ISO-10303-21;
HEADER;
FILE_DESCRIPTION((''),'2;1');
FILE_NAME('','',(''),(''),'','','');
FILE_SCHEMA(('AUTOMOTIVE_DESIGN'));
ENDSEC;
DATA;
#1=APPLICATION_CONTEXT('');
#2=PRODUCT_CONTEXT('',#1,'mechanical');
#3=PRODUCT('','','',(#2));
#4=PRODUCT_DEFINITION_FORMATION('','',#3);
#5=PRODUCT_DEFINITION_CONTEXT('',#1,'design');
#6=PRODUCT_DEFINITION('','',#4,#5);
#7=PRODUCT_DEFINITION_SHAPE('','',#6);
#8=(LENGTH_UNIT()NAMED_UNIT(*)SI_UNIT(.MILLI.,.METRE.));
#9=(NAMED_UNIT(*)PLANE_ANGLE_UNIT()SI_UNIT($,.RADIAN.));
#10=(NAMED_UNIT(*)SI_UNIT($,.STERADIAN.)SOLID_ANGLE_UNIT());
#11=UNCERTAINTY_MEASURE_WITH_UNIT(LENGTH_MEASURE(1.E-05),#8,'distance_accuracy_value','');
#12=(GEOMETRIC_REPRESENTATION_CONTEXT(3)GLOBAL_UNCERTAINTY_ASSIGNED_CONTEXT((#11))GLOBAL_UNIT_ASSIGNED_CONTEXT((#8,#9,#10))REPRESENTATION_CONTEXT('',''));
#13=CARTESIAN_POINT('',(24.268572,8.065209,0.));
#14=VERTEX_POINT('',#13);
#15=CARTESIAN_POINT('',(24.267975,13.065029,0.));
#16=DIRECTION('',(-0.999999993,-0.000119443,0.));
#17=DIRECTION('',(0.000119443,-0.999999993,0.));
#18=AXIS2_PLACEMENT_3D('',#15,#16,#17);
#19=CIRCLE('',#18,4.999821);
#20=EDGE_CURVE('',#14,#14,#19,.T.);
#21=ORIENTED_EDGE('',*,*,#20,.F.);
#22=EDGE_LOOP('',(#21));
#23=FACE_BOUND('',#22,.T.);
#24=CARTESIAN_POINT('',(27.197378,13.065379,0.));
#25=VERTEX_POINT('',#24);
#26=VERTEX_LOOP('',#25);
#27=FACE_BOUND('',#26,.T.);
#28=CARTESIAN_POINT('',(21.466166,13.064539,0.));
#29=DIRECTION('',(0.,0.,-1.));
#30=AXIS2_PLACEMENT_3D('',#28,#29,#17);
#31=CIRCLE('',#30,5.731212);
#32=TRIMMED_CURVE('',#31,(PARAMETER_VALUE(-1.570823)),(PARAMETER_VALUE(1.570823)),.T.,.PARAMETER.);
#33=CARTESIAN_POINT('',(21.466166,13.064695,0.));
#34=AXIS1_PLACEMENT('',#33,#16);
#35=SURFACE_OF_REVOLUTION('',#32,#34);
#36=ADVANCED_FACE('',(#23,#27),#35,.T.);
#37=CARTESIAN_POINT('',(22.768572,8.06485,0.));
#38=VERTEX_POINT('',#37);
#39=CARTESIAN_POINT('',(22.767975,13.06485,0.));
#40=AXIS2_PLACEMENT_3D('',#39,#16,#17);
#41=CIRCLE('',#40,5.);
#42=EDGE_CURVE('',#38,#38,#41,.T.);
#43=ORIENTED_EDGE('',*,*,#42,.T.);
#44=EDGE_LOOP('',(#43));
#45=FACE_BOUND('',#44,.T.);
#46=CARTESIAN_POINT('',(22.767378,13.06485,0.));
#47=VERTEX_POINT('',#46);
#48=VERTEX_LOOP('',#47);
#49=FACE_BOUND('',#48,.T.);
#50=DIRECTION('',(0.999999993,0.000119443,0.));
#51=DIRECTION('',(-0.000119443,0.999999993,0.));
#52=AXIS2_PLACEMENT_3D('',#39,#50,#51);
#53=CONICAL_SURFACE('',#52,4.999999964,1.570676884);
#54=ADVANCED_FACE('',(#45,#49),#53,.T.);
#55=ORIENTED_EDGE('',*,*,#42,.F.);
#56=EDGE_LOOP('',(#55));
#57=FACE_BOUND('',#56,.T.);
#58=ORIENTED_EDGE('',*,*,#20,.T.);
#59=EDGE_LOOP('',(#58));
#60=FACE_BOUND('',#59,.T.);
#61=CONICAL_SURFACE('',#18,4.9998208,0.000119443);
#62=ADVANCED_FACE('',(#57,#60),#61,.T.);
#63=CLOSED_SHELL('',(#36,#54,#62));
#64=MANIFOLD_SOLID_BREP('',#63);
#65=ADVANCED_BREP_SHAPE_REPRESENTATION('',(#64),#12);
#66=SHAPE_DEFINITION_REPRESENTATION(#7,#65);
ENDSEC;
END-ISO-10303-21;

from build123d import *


with BuildPart() as part:
    # 草图2 → 旋转1 (revolve)
    with BuildSketch(Plane.XY, mode=Mode.PRIVATE) as revolve_1_sk:
        with BuildLine():
            Line((22.767377978, 18.064850241), (24.267377978, 18.064850241))
            ThreePointArc((24.267377978, 18.064850241), (26.410783507, 15.962702525), (27.197377954, 13.065379372))
            Line((27.197377954, 13.065379372), (22.767377978, 13.064850241))
            Line((22.767377978, 13.064850241), (22.767377978, 18.064850241))
        make_face()
    revolve(revolve_1_sk.sketch.rotate(Axis((22.254439213, 13.064788975, 0), (0.999999993, 0.000119443, 0)), 180), axis=Axis((22.254439213, 13.064788975, 0), (0.999999993, 0.000119443, 0)))  # turned: the seam where the file's is


solid = part.part
